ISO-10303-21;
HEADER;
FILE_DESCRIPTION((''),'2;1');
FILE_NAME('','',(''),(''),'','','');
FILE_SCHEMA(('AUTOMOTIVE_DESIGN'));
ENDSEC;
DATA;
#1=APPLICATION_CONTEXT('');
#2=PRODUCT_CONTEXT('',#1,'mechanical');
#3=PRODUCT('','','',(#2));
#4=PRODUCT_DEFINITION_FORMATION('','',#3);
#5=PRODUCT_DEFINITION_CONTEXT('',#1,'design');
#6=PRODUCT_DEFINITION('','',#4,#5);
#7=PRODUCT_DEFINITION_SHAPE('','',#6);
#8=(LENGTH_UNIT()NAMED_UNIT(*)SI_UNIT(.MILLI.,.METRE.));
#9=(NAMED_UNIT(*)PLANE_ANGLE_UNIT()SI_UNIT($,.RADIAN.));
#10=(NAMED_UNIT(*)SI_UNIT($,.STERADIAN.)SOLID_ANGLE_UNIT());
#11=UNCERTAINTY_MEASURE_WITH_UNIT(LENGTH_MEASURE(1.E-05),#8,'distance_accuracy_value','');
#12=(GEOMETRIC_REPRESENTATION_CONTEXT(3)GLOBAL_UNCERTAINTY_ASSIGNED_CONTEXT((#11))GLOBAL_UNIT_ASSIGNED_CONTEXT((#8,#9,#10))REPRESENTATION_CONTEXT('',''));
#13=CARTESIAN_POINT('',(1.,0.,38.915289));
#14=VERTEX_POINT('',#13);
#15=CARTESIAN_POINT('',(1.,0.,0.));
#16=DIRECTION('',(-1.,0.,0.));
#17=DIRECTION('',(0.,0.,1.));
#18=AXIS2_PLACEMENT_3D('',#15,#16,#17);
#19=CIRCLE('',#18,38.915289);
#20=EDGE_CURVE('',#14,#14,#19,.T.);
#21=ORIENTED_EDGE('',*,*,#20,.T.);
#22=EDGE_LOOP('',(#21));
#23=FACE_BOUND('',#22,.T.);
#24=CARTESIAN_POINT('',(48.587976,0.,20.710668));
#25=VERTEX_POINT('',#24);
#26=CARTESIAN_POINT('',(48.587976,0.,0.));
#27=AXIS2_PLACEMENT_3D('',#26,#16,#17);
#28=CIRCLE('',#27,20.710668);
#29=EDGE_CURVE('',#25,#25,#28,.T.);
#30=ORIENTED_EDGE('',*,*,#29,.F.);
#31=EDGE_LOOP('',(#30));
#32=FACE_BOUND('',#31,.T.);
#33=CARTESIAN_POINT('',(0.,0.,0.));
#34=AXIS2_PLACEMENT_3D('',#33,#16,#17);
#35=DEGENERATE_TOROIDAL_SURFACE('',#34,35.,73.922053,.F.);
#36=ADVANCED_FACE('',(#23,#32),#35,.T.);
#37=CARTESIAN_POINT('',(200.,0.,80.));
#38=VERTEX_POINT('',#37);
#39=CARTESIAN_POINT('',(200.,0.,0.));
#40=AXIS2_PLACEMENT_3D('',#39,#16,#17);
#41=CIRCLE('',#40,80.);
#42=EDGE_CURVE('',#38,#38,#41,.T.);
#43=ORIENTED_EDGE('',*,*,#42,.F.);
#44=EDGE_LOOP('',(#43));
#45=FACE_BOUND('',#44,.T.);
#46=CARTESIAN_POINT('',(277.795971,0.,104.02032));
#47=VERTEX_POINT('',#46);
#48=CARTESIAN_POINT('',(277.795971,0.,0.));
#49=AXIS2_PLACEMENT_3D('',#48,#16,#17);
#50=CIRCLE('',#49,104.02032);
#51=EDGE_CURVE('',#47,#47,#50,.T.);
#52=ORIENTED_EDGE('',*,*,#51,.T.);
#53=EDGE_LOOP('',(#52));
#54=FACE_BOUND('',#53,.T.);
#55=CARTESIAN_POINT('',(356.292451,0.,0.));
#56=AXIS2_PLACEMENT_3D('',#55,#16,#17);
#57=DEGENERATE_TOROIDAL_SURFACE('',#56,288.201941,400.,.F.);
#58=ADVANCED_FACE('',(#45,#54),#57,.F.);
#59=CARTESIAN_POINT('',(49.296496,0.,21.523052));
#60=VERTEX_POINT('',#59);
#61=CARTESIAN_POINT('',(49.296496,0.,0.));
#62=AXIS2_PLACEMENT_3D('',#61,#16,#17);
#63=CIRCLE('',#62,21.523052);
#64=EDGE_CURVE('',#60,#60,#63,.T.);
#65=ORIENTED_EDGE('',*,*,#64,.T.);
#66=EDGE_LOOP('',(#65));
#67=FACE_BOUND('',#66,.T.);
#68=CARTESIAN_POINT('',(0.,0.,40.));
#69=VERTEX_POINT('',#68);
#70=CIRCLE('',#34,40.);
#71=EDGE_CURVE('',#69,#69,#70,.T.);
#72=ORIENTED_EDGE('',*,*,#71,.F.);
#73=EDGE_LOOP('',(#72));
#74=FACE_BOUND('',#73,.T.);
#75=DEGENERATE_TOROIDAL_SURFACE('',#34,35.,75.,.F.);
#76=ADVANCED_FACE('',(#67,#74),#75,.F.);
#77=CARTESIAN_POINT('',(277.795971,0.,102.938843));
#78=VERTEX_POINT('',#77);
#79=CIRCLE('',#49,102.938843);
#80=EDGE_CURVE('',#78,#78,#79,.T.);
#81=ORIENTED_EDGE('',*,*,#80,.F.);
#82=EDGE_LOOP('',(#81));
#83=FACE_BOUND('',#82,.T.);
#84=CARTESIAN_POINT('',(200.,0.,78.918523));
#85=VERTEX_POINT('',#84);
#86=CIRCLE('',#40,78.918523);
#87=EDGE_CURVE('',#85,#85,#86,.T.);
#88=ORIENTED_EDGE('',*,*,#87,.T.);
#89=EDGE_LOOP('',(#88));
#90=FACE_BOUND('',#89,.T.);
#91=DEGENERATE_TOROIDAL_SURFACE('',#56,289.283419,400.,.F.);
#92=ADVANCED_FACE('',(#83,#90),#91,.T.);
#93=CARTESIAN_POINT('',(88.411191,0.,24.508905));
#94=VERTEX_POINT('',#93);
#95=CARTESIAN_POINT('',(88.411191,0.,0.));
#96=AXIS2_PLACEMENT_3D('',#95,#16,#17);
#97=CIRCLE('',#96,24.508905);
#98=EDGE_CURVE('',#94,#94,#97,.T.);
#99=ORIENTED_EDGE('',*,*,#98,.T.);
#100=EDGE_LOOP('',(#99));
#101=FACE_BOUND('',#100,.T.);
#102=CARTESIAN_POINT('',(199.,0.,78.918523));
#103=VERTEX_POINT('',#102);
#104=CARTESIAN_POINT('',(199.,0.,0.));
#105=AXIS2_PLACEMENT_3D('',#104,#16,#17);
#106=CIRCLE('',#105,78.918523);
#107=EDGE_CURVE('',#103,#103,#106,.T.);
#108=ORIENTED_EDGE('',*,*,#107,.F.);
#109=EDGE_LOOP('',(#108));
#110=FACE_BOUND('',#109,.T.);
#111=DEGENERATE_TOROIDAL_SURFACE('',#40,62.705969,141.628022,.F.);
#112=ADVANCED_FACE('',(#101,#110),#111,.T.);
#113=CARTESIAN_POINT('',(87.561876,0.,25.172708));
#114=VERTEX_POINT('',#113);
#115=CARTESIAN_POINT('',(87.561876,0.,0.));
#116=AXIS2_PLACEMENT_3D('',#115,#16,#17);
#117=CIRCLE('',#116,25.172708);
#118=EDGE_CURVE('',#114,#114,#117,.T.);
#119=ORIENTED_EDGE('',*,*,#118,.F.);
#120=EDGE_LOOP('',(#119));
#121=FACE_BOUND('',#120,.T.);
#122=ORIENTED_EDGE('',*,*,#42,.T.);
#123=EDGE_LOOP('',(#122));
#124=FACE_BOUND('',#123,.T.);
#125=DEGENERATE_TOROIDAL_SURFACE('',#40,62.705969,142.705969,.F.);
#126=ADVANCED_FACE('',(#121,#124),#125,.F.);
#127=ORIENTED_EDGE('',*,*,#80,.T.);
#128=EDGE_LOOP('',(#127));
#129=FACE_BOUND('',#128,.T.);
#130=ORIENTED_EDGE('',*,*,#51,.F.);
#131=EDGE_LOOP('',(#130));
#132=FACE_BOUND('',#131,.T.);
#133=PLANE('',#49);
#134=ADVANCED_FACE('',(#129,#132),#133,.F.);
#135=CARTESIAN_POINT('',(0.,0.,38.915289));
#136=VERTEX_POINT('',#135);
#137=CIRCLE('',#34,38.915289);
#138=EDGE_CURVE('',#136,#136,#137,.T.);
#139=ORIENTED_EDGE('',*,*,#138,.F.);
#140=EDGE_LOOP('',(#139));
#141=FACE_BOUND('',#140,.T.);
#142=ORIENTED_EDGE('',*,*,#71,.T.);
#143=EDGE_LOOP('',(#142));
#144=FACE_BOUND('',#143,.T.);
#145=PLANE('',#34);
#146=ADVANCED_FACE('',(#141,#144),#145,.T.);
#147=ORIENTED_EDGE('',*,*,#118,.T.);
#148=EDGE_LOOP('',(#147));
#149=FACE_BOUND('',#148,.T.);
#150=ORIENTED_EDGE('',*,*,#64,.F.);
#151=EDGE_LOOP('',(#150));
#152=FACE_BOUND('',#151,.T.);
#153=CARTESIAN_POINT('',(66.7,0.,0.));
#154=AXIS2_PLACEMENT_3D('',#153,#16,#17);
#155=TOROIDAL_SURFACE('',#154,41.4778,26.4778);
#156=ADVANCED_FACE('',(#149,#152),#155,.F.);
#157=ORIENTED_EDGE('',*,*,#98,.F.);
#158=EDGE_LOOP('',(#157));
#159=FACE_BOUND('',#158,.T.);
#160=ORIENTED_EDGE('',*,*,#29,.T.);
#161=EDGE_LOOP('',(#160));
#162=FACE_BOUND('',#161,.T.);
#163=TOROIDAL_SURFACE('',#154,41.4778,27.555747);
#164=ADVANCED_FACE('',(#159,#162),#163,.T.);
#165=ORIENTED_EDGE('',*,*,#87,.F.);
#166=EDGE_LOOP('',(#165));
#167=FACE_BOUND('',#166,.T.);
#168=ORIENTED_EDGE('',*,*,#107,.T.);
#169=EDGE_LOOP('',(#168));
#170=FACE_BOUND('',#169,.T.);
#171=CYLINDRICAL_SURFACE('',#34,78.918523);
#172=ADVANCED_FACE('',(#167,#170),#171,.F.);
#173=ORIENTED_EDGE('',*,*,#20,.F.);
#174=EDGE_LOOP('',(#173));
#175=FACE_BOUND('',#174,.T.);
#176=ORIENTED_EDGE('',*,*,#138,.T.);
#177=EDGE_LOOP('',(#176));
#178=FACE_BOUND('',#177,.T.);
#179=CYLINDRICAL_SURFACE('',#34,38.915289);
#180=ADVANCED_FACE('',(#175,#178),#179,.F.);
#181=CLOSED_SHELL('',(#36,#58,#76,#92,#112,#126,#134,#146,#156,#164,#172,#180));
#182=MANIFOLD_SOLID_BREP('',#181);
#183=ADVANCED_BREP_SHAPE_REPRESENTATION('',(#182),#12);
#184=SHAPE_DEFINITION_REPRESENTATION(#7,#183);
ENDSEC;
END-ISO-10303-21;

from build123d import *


with BuildPart() as part:
    # Croquis1 → Revolución4 (revolve)
    with BuildSketch(Plane.XY, mode=Mode.PRIVATE) as revoluci_n4_sk:
        with BuildLine():
            Line((199, 78.918522676), (200, 78.918522676))
            ThreePointArc((200, 78.918522676), (238.285228956, 92.913252463), (277.795971192, 102.938843023))
            Line((277.795971192, 102.938843023), (277.795971192, 104.020320348))
            ThreePointArc((277.795971192, 104.020320348), (238.285228956, 93.994729787), (200, 80))
            ThreePointArc((200, 80), (137.453289795, 65.562899543), (87.561875557, 25.172707511))
            ThreePointArc((87.561875557, 25.172707511), (69.213976897, 15.119616963), (49.296496377, 21.523052333))
            ThreePointArc((49.296496377, 21.523052333), (26.322719037, 35.229014392), (0, 40))
            Line((0, 40), (0, 38.915288903))
            Line((0, 38.915288903), (1, 38.915288903))
            ThreePointArc((1, 38.915288903), (26.412003084, 34.042566774), (48.5879763, 20.710667675))
            ThreePointArc((48.5879763, 20.710667675), (69.316324283, 14.046539825), (88.411190614, 24.508905232))
            ThreePointArc((88.411190614, 24.508905232), (137.4767114, 64.374064962), (199, 78.918522676))
        make_face()
    revolve(revoluci_n4_sk.sketch.rotate(Axis((0, 0, 0), (1, 0, 0)), 90), axis=Axis((0, 0, 0), (1, 0, 0)))


solid = part.part
